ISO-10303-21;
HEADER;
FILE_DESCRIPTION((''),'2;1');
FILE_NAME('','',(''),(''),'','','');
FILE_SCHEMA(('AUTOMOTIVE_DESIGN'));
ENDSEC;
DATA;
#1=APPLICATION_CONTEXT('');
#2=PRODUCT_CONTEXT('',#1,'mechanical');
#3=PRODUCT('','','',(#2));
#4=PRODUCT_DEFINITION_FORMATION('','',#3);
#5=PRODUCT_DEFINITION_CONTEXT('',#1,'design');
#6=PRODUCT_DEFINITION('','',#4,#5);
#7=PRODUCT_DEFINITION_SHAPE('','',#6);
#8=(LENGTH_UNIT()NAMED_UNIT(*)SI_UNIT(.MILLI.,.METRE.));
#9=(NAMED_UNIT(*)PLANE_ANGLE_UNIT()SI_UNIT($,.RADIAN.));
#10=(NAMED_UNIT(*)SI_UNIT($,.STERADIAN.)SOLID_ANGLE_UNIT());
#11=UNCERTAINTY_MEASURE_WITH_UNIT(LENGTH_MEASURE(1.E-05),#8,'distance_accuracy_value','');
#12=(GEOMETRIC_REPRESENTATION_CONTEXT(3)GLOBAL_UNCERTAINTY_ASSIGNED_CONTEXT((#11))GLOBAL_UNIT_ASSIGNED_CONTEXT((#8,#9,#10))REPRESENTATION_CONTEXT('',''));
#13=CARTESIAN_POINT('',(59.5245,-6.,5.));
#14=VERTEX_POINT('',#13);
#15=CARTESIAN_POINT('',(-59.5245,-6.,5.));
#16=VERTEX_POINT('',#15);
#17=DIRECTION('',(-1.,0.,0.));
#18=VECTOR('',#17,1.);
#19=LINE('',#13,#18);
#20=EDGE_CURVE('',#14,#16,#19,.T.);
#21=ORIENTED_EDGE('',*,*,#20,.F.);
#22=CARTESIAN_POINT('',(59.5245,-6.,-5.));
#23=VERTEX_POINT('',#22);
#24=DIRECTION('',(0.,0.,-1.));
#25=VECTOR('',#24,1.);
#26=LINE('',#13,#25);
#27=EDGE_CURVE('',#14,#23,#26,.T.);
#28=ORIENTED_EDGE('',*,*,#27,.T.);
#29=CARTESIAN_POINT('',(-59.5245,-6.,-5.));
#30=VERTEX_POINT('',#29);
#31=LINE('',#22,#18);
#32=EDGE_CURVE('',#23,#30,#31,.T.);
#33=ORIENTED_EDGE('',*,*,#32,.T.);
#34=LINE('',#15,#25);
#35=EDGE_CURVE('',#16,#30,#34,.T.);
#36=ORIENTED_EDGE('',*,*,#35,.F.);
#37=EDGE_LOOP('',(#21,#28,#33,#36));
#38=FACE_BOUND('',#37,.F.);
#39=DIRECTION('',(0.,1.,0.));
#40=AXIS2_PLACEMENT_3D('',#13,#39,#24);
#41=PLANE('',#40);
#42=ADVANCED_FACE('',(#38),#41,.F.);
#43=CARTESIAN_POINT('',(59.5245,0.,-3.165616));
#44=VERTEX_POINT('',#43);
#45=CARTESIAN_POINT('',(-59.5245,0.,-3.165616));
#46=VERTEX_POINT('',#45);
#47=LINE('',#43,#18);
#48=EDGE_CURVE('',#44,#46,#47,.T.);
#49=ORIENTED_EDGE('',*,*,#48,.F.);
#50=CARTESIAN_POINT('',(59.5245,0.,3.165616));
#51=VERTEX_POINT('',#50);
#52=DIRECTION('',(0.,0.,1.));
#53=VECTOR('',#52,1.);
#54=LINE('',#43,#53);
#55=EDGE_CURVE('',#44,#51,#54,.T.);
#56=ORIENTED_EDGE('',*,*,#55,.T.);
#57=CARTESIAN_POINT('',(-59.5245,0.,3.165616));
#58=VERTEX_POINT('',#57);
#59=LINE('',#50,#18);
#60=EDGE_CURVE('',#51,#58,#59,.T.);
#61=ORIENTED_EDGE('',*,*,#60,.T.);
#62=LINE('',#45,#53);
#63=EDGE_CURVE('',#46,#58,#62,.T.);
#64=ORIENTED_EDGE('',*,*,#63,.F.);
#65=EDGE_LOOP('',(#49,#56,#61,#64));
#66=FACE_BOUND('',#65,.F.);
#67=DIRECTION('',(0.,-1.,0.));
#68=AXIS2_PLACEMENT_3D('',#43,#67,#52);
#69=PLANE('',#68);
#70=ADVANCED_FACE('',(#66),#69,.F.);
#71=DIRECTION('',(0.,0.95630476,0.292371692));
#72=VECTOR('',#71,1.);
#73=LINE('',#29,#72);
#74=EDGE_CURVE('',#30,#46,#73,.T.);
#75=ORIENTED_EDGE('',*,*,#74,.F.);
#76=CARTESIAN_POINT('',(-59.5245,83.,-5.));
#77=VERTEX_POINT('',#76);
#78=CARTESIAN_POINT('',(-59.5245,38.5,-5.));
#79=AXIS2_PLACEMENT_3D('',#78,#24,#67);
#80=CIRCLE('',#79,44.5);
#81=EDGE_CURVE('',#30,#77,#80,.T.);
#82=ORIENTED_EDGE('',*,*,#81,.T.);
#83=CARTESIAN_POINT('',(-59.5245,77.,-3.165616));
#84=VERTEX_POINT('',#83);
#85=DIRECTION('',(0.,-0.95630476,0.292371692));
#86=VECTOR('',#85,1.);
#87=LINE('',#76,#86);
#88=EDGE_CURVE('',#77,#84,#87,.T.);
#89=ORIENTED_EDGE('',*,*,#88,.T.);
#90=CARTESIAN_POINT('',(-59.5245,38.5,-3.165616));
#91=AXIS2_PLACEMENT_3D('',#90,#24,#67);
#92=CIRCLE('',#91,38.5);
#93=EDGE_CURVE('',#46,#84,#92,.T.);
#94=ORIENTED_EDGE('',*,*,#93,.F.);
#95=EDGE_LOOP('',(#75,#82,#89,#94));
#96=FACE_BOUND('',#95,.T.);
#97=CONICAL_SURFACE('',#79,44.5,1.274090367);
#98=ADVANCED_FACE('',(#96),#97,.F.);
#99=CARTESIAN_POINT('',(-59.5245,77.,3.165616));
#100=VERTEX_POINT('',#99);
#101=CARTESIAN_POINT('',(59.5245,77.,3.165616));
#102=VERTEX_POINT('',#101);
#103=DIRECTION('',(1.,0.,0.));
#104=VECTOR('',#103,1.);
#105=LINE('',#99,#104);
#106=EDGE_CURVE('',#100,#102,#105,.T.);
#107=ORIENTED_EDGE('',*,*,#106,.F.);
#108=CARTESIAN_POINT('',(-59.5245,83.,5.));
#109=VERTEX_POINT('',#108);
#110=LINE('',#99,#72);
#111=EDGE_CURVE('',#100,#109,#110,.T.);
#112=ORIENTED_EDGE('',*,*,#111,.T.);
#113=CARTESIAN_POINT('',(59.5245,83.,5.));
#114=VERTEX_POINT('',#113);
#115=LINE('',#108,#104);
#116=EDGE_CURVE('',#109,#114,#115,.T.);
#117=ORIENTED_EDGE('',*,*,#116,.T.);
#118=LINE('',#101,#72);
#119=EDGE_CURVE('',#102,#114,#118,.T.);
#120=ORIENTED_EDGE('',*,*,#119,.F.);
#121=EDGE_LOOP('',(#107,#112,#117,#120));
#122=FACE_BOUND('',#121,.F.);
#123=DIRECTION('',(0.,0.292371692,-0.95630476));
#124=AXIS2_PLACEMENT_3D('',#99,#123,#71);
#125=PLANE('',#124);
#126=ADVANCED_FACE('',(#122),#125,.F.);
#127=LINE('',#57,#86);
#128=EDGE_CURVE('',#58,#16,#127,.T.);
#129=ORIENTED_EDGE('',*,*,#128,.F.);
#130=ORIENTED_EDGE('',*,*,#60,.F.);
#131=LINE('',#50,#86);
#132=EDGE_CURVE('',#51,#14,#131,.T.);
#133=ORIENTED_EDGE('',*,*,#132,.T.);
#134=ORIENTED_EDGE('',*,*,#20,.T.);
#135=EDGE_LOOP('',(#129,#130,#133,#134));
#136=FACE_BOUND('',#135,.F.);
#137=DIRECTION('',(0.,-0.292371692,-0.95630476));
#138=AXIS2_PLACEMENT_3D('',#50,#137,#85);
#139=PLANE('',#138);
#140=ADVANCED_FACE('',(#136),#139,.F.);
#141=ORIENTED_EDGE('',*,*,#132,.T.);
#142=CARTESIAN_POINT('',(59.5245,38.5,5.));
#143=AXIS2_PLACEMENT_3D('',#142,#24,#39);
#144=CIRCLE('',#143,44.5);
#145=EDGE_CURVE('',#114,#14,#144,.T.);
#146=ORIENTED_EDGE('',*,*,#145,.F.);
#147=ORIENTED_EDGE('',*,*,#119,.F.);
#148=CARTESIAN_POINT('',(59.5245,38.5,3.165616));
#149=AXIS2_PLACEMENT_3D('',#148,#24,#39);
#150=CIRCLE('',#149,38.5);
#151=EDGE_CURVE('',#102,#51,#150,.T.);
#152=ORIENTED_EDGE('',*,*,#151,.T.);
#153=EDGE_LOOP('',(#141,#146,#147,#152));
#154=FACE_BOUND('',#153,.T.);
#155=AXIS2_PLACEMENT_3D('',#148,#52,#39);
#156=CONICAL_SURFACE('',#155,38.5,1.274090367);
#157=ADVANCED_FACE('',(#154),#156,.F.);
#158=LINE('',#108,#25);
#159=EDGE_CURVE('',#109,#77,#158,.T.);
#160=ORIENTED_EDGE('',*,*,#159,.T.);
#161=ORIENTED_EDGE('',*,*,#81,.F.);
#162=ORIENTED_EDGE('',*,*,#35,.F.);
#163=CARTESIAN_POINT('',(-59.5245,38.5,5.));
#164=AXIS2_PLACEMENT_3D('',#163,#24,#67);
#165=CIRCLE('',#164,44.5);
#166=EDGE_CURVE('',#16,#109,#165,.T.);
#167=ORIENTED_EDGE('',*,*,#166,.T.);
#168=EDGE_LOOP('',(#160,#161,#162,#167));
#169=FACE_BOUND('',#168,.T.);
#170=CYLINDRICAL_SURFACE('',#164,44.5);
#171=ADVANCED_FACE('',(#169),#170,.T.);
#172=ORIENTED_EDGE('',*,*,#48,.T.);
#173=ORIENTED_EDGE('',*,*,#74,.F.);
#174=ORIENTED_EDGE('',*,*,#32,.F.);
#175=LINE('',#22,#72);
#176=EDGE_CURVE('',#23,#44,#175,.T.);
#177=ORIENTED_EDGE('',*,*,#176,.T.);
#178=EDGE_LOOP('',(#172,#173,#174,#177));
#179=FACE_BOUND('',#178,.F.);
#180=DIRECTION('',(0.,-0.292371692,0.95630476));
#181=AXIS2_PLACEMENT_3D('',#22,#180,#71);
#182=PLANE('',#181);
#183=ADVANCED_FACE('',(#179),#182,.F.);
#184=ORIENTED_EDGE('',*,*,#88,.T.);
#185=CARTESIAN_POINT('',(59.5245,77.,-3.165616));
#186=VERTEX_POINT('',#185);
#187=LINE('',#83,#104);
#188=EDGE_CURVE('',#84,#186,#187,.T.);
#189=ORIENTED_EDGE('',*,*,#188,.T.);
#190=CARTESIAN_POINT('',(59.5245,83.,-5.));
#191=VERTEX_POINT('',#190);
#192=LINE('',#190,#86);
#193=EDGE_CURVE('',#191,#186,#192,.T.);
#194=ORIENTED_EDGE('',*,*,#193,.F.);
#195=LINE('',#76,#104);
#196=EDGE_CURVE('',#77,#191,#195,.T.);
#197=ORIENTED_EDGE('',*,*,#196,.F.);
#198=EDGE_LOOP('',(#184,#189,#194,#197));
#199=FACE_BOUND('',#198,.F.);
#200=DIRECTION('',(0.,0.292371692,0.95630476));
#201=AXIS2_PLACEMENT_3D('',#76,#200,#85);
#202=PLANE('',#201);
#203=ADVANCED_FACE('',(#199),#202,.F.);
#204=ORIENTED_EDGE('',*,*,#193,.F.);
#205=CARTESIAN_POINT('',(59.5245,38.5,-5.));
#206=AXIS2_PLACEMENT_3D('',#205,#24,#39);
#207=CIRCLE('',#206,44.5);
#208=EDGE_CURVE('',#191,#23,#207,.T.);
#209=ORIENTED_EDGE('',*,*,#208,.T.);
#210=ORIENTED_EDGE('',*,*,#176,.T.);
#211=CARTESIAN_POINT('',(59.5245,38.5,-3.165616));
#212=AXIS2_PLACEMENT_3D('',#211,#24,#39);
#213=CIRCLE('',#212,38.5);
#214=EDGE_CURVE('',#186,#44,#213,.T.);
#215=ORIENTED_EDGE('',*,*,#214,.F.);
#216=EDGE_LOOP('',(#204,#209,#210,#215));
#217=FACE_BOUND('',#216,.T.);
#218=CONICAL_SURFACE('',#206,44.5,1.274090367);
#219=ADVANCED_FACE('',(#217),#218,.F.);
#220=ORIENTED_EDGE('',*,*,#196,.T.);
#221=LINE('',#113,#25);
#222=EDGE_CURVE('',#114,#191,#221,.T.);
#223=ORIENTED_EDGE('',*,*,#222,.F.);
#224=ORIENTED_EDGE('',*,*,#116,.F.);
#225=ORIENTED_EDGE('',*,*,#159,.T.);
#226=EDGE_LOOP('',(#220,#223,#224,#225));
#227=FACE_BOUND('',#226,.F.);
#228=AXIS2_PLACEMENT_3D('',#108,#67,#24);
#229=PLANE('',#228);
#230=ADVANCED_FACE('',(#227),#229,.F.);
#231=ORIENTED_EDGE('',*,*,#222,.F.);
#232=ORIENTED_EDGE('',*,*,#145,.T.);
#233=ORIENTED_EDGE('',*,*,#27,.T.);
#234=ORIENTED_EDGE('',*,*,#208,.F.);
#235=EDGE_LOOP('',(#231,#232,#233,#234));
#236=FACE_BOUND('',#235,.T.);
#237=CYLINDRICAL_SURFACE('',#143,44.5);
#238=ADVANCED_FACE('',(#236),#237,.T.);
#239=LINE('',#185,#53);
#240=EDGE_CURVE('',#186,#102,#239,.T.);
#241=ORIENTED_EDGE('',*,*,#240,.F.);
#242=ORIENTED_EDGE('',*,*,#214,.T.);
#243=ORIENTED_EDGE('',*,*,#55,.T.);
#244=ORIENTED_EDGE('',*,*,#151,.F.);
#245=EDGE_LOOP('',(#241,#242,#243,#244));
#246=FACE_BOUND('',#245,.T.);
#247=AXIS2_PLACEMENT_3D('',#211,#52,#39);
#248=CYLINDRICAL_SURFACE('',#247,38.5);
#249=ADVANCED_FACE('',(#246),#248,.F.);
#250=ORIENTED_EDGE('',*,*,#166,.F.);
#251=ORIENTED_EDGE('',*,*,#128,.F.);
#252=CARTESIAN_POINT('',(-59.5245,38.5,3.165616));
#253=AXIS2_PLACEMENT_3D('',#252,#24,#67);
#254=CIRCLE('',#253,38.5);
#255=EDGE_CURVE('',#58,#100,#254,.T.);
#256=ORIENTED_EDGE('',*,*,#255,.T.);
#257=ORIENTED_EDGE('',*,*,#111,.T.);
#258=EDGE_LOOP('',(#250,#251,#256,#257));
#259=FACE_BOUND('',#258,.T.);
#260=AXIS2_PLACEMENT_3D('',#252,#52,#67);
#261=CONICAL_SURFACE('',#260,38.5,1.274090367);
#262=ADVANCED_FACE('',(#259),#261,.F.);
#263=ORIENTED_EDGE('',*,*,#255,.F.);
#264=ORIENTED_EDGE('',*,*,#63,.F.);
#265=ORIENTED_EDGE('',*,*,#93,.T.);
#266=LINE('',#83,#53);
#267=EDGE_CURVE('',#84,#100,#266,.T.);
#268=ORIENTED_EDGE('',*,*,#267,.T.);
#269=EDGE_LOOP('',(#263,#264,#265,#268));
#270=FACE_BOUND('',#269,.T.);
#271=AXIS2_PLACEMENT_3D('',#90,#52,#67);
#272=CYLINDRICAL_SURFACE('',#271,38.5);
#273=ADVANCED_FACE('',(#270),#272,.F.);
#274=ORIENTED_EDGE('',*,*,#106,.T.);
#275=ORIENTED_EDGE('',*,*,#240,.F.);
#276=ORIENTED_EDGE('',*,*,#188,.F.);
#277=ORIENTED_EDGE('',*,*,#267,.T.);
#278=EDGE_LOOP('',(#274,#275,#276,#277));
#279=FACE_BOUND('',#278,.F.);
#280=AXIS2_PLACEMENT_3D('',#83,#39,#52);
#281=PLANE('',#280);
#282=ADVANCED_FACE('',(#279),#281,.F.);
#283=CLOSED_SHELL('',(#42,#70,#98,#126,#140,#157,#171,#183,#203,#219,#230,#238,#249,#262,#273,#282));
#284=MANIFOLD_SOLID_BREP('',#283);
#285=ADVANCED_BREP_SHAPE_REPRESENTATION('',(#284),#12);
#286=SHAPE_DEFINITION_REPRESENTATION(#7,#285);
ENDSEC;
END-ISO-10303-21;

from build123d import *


with BuildPart() as f2:
    # F2: sweep along a path in F0
    with BuildLine(Plane.XY) as f2_path:
        Line((0, 0), (-59.5245, 0))
        ThreePointArc((-59.5245, 0), (-98.0245, 38.5), (-59.5245, 77))
        Line((-59.5245, 77), (0, 77))
        Line((0, 77), (59.5245, 77))
        ThreePointArc((59.5245, 77), (98.0245, 38.5), (59.5245, 0))
        Line((59.5245, 0), (0, 0))
    # F1 (on Right) → F2 (sweep)
    with BuildSketch(Plane.YZ):
        Polygon((0, -3.165616), (0, 0), (0, 3.165616), (-6, 5), (-6, 0), (-6, -5), align=None)
    sweep(path=f2_path.line)


solid = f2.part
